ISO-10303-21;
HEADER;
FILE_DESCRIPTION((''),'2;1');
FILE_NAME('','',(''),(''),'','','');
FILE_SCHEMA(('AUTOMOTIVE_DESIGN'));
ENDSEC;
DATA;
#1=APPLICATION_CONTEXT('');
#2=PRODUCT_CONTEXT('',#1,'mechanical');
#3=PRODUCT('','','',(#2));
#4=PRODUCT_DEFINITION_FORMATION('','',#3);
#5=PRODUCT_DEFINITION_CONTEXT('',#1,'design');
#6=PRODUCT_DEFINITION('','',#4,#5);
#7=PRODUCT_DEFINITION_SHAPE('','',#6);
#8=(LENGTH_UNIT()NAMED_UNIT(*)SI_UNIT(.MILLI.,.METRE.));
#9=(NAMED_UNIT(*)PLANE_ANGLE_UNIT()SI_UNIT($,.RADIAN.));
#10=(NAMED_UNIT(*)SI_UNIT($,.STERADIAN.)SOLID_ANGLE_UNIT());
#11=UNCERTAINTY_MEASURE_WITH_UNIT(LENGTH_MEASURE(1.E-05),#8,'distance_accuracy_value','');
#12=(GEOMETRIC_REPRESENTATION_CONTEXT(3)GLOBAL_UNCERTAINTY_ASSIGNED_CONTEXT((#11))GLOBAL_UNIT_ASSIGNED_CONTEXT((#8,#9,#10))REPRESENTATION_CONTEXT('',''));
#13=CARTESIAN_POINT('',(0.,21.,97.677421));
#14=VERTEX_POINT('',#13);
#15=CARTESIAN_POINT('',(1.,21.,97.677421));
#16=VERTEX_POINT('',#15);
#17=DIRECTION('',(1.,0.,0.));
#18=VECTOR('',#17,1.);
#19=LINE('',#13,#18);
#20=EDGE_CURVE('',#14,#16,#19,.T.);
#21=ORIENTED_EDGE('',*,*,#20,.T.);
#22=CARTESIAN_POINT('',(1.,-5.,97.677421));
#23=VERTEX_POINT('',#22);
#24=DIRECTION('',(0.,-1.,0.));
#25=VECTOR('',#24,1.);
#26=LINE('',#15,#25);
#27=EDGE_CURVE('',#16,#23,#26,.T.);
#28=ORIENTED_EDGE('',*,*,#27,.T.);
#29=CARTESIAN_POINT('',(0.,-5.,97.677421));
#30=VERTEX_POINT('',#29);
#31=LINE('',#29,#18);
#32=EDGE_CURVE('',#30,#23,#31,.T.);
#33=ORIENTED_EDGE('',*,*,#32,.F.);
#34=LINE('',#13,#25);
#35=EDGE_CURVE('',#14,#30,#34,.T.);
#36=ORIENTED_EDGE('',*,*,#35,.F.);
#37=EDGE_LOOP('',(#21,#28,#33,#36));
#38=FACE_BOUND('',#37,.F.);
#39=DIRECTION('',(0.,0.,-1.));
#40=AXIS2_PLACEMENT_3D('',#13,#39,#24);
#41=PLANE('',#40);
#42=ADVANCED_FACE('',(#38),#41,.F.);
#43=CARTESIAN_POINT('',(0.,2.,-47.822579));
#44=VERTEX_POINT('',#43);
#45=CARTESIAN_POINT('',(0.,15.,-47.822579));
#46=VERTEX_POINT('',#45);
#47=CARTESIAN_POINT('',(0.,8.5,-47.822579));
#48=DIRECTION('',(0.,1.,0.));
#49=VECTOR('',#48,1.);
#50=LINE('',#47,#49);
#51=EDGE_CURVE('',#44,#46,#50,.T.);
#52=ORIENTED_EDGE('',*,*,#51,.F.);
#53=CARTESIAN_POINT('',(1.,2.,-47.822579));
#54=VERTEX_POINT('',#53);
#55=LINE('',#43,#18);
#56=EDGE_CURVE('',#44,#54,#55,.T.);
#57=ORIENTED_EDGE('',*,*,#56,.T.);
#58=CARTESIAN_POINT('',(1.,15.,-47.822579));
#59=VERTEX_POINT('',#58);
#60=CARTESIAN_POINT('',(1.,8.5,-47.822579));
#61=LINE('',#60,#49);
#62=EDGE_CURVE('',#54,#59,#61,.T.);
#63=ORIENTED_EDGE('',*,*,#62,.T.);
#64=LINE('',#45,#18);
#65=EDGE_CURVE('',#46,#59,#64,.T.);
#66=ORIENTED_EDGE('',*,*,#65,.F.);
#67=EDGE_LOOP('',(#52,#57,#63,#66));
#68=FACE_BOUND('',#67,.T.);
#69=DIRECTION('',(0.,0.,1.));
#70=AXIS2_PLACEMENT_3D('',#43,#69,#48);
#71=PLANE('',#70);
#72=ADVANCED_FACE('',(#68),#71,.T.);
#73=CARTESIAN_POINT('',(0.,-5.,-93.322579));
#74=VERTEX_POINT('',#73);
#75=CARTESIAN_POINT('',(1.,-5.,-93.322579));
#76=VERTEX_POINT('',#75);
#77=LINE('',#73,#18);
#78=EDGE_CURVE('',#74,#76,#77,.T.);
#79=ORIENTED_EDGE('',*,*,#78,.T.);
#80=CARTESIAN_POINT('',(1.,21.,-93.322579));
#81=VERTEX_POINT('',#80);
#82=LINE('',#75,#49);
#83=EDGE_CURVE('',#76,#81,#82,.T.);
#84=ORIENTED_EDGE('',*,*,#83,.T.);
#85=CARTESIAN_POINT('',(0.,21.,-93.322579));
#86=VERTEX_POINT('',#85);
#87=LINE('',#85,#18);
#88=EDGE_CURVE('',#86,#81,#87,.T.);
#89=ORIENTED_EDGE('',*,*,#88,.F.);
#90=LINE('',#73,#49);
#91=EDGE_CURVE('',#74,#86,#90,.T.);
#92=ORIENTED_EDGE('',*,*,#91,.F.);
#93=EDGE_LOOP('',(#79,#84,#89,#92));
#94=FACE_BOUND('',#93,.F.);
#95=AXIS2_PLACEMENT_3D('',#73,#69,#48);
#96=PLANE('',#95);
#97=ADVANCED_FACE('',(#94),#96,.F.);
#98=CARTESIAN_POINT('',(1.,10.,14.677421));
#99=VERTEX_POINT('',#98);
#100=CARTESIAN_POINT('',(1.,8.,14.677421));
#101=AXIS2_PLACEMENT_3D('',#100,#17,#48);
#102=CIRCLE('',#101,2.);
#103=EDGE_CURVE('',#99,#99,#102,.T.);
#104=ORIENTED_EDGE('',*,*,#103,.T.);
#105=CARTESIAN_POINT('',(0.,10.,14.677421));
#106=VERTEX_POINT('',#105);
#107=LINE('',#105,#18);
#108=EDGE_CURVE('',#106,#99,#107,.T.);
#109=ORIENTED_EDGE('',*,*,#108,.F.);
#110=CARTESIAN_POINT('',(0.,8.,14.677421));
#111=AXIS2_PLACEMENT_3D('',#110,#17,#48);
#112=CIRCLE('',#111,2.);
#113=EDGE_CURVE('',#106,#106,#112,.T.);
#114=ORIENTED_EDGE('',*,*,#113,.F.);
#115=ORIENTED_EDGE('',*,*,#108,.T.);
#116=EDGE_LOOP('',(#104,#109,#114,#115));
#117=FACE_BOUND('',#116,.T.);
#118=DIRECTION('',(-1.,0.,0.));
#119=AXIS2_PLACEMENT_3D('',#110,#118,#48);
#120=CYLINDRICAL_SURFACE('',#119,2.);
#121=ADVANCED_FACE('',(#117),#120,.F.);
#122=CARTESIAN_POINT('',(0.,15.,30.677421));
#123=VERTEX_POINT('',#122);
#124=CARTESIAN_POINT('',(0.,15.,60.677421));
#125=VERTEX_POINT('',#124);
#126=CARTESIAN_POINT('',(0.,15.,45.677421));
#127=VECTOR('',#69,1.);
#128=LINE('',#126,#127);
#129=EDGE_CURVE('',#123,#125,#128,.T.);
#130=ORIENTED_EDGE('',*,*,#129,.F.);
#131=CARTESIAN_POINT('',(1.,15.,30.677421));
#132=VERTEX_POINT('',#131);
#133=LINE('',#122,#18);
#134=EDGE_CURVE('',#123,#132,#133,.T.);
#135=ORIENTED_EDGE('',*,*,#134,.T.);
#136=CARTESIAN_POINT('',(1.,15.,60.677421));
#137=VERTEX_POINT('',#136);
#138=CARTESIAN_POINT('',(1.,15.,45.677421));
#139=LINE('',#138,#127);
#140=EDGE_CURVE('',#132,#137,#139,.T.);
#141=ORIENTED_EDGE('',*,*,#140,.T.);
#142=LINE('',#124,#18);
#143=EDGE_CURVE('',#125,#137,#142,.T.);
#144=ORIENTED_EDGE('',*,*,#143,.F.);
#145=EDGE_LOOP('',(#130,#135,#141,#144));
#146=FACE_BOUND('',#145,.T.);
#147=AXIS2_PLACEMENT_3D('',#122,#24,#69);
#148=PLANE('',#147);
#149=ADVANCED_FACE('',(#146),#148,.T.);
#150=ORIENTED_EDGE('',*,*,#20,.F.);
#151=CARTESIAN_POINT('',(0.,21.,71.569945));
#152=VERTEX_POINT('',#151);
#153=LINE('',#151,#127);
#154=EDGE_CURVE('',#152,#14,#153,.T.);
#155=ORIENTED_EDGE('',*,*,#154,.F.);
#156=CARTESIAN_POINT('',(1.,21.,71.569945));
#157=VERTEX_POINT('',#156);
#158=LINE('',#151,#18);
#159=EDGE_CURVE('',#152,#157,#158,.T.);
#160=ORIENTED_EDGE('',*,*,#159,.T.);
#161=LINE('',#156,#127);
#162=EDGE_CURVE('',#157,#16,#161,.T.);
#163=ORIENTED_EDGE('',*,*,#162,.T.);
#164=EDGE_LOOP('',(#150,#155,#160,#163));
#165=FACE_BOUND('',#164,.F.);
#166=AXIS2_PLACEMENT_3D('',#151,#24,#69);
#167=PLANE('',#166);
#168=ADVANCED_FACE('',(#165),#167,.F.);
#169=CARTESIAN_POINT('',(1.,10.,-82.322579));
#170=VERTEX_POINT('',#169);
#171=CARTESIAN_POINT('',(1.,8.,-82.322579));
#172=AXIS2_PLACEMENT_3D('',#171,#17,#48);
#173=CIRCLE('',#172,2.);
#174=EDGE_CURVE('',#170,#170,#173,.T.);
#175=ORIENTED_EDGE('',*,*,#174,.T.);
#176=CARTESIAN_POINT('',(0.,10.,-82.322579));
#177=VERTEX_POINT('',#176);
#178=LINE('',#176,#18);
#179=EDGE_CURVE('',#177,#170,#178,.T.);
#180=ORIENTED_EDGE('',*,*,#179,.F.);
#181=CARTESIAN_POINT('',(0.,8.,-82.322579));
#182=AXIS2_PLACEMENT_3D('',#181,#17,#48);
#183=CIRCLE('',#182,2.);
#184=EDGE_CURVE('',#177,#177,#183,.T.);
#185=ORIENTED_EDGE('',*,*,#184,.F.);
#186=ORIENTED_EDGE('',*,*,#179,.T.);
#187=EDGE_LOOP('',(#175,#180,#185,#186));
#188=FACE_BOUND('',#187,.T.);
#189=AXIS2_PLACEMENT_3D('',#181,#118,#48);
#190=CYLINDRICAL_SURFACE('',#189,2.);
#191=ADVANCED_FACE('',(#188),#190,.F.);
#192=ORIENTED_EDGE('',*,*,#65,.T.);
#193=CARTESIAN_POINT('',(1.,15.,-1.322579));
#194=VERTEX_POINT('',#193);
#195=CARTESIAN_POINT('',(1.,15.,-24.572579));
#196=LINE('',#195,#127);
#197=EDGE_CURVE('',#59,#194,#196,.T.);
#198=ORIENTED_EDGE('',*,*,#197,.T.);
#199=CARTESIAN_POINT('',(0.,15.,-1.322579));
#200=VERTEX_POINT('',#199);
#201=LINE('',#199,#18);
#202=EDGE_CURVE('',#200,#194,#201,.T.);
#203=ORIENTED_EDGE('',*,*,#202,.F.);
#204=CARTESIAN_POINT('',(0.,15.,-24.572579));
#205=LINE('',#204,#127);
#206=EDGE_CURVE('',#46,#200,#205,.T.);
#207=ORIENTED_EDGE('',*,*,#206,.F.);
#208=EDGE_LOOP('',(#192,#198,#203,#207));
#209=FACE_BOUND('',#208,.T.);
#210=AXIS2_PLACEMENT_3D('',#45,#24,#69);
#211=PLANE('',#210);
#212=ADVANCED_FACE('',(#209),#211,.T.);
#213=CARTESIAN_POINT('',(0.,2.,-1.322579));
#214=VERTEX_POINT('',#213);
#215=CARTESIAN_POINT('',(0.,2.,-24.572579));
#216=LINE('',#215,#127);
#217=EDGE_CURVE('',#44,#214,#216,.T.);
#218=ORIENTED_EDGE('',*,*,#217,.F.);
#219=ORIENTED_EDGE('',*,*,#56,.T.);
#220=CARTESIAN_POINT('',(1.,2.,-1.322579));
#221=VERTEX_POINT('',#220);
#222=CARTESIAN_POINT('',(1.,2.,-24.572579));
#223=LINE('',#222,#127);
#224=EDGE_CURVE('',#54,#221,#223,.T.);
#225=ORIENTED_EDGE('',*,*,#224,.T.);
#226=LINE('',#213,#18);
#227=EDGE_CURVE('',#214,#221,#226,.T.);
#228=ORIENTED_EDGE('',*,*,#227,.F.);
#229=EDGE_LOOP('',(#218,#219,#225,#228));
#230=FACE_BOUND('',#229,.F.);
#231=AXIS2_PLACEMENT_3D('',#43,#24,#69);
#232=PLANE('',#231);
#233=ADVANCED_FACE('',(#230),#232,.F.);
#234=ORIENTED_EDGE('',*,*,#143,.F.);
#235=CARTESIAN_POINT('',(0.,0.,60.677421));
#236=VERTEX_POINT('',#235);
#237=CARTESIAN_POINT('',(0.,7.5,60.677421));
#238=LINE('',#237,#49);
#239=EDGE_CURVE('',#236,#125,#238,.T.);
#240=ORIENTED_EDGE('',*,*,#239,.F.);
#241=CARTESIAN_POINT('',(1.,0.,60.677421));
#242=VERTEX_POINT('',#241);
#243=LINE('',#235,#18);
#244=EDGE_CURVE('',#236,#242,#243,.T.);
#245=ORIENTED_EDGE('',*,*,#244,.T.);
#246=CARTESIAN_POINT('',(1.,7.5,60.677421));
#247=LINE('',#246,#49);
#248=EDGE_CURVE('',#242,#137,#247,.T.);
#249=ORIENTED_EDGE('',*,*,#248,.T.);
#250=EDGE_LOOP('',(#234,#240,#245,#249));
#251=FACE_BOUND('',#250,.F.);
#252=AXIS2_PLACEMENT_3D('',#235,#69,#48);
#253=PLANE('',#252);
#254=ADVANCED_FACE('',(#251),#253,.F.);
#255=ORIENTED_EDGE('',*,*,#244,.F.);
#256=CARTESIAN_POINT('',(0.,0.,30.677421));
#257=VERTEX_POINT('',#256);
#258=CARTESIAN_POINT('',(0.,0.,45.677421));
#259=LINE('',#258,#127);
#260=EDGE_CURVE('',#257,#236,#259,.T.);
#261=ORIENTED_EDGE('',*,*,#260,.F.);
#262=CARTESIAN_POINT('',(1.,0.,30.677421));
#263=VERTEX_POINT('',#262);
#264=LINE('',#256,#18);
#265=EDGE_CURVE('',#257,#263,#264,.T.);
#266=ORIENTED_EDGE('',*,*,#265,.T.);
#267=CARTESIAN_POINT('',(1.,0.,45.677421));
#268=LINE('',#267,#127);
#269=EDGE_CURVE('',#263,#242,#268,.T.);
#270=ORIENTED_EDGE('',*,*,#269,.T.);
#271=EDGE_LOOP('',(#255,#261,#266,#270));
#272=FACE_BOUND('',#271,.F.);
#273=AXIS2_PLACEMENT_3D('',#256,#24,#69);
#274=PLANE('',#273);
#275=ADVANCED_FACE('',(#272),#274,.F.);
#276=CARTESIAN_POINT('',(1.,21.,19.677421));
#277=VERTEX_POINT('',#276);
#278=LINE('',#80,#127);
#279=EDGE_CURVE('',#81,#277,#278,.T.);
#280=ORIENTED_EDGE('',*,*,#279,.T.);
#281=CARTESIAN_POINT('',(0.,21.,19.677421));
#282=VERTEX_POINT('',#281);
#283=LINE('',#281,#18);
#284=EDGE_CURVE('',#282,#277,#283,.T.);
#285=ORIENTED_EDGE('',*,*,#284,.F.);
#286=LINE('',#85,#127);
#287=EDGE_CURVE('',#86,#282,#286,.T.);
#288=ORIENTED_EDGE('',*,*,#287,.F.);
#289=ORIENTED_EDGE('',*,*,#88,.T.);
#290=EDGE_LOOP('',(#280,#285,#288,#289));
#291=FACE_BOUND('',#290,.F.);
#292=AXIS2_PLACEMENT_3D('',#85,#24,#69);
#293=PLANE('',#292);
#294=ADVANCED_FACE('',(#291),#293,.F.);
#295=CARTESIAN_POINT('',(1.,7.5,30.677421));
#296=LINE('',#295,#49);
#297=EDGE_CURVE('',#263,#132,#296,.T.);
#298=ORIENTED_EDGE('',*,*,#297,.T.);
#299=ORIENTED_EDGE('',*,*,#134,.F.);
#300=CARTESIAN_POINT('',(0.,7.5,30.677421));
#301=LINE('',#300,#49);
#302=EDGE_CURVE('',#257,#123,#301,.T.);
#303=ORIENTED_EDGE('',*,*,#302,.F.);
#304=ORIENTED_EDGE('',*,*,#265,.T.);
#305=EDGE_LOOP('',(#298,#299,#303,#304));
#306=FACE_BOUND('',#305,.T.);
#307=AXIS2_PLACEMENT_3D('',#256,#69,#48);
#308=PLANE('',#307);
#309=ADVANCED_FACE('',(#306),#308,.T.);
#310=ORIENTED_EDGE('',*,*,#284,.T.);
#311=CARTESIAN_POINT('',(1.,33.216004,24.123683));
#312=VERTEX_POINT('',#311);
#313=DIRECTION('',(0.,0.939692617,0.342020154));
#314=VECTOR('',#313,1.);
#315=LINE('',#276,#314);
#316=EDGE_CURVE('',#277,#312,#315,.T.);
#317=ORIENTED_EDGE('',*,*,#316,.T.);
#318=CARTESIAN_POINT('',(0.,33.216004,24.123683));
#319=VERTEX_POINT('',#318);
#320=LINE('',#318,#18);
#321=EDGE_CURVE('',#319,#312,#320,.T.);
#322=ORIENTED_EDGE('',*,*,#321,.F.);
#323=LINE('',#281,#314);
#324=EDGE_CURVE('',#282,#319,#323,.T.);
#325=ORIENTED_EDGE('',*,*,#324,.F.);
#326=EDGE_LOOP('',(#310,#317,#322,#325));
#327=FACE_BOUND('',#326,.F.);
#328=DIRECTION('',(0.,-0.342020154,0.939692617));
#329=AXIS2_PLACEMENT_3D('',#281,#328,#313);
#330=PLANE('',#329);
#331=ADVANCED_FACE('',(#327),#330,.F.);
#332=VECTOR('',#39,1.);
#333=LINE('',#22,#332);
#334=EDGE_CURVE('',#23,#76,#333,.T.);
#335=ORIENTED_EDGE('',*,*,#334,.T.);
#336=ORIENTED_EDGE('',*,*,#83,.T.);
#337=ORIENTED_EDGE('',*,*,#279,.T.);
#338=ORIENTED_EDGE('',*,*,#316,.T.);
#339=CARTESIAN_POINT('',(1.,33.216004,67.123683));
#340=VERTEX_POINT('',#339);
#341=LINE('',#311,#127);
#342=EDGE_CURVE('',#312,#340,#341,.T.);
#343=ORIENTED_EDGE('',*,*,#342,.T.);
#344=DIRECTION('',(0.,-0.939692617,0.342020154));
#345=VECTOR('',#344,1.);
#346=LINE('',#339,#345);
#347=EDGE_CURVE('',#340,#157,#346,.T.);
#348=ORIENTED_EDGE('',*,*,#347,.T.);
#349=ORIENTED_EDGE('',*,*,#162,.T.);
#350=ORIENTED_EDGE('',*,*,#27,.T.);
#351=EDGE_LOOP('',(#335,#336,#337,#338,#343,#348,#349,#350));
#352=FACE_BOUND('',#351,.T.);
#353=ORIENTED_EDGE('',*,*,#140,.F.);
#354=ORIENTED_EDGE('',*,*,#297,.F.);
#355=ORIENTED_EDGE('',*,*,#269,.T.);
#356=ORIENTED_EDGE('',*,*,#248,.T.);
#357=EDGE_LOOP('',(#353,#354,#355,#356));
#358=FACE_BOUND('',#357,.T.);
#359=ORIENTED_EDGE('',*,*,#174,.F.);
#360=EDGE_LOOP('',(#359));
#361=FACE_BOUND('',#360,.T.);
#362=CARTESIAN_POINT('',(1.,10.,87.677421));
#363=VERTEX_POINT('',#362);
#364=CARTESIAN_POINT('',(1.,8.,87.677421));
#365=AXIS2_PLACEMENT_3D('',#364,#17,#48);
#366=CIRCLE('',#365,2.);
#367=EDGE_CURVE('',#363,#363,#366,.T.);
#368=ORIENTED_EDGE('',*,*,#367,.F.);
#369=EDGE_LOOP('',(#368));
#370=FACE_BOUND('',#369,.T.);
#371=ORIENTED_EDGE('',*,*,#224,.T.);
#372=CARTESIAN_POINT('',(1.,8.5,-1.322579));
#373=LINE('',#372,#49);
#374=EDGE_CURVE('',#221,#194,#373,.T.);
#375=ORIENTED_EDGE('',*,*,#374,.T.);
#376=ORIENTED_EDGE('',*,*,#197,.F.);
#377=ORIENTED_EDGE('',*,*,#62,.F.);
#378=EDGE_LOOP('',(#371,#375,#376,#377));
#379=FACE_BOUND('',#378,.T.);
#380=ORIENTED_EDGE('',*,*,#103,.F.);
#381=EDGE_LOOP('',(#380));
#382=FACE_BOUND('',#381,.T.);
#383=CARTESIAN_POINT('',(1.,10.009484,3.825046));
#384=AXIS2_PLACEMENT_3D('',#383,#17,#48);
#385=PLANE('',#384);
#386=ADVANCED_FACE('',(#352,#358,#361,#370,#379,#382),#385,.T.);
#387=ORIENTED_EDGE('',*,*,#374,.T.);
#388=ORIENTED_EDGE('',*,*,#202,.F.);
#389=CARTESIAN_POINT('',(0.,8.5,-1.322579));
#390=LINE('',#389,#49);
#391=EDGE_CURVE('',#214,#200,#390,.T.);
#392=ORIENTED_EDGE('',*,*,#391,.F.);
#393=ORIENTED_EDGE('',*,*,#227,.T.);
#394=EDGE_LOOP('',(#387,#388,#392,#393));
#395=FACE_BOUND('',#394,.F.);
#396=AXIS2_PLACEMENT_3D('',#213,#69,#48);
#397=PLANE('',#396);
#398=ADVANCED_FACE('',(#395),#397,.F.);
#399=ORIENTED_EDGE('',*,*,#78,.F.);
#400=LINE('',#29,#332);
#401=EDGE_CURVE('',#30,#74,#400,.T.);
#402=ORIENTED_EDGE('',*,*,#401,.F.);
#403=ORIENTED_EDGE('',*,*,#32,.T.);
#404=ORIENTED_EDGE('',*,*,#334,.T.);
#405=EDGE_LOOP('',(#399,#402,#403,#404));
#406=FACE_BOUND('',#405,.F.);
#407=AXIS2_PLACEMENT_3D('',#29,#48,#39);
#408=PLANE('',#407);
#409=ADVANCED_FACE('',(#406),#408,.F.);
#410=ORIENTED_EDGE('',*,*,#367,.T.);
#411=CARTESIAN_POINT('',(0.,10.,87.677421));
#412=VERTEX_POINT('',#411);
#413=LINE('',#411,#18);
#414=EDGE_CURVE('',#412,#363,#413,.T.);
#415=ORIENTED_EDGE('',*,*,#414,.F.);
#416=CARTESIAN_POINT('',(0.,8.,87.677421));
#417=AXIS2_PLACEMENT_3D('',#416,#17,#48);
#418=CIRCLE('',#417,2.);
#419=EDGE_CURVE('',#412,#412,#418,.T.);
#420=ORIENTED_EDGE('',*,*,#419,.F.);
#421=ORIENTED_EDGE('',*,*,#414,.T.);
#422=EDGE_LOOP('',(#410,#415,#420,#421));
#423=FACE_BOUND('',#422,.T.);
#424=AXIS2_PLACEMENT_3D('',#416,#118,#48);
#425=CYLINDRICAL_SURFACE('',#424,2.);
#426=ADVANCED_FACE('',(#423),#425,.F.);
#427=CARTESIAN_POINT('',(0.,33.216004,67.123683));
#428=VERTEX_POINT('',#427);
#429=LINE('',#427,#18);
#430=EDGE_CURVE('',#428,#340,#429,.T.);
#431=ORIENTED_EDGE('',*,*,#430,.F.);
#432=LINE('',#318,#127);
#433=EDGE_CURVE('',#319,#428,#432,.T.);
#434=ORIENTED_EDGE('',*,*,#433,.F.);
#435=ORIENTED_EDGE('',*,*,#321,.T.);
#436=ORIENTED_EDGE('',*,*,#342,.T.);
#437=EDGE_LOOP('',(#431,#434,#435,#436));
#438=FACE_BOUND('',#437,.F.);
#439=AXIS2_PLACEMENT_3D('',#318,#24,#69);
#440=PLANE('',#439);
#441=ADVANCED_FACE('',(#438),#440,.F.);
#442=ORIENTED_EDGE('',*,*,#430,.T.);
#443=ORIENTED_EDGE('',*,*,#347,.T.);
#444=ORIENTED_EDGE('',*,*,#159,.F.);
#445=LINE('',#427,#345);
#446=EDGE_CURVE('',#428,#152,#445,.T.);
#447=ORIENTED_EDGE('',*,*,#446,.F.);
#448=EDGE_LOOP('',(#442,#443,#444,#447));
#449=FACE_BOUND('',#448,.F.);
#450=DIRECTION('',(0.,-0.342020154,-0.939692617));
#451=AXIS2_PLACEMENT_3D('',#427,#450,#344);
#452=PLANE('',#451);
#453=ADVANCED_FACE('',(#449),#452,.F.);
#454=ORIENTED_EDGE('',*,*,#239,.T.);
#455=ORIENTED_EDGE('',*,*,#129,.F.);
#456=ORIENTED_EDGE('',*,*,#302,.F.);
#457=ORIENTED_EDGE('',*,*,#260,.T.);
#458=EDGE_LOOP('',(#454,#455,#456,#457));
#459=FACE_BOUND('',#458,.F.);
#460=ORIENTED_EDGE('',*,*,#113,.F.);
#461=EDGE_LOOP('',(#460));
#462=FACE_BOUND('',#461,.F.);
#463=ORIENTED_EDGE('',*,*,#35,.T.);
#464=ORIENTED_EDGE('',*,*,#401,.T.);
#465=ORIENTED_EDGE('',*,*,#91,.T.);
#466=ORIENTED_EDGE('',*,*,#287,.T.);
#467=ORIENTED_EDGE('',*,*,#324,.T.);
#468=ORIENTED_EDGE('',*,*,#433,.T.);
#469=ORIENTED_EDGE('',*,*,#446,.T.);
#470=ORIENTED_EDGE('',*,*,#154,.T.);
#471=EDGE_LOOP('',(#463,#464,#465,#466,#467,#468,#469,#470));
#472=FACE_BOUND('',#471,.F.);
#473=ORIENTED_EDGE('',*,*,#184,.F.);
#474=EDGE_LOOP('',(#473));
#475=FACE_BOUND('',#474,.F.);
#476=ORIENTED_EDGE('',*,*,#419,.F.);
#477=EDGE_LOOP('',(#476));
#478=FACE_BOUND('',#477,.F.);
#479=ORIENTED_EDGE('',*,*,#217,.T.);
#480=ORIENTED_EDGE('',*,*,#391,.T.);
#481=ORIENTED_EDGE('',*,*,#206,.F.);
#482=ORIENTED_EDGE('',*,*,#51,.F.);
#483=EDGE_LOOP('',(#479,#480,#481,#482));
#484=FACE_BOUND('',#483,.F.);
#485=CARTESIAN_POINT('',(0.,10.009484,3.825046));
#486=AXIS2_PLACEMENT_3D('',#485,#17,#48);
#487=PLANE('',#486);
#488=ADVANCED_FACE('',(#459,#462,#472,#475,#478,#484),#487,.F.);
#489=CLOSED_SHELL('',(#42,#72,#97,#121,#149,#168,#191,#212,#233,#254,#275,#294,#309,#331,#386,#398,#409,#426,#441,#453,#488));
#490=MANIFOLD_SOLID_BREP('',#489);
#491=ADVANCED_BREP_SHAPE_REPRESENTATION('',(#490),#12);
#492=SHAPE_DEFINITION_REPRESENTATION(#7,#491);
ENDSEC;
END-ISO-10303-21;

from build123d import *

# Parameters (mm, degrees)
F0_R     = 2
F0_W     = 13
F0_H     = 46.5
F0_W_2   = 15
F0_H_2   = 30
F1_DEPTH = 1


with BuildPart() as f1:
    # F0 (on Right) → F1 (new body)
    with BuildSketch(Plane.YZ):
        Polygon((21, 97.677421), (-5, 97.677421), (-5, -93.322579), (21, -93.322579), (21, 19.677421), (33.216004, 24.123683), (33.216004, 67.123683), (21, 71.569945), align=None)
        with Locations((8, -82.322579)):
            Circle(F0_R, mode=Mode.SUBTRACT)
        with Locations((8.5, -24.572579)):
            Rectangle(F0_W, F0_H, mode=Mode.SUBTRACT)
        with Locations((8, 14.677421)):
            Circle(F0_R, mode=Mode.SUBTRACT)
        with Locations((7.5, 45.677421)):
            Rectangle(F0_W_2, F0_H_2, mode=Mode.SUBTRACT)
        with Locations((8, 87.677421)):
            Circle(F0_R, mode=Mode.SUBTRACT)
    extrude(amount=F1_DEPTH)


solid = f1.part
